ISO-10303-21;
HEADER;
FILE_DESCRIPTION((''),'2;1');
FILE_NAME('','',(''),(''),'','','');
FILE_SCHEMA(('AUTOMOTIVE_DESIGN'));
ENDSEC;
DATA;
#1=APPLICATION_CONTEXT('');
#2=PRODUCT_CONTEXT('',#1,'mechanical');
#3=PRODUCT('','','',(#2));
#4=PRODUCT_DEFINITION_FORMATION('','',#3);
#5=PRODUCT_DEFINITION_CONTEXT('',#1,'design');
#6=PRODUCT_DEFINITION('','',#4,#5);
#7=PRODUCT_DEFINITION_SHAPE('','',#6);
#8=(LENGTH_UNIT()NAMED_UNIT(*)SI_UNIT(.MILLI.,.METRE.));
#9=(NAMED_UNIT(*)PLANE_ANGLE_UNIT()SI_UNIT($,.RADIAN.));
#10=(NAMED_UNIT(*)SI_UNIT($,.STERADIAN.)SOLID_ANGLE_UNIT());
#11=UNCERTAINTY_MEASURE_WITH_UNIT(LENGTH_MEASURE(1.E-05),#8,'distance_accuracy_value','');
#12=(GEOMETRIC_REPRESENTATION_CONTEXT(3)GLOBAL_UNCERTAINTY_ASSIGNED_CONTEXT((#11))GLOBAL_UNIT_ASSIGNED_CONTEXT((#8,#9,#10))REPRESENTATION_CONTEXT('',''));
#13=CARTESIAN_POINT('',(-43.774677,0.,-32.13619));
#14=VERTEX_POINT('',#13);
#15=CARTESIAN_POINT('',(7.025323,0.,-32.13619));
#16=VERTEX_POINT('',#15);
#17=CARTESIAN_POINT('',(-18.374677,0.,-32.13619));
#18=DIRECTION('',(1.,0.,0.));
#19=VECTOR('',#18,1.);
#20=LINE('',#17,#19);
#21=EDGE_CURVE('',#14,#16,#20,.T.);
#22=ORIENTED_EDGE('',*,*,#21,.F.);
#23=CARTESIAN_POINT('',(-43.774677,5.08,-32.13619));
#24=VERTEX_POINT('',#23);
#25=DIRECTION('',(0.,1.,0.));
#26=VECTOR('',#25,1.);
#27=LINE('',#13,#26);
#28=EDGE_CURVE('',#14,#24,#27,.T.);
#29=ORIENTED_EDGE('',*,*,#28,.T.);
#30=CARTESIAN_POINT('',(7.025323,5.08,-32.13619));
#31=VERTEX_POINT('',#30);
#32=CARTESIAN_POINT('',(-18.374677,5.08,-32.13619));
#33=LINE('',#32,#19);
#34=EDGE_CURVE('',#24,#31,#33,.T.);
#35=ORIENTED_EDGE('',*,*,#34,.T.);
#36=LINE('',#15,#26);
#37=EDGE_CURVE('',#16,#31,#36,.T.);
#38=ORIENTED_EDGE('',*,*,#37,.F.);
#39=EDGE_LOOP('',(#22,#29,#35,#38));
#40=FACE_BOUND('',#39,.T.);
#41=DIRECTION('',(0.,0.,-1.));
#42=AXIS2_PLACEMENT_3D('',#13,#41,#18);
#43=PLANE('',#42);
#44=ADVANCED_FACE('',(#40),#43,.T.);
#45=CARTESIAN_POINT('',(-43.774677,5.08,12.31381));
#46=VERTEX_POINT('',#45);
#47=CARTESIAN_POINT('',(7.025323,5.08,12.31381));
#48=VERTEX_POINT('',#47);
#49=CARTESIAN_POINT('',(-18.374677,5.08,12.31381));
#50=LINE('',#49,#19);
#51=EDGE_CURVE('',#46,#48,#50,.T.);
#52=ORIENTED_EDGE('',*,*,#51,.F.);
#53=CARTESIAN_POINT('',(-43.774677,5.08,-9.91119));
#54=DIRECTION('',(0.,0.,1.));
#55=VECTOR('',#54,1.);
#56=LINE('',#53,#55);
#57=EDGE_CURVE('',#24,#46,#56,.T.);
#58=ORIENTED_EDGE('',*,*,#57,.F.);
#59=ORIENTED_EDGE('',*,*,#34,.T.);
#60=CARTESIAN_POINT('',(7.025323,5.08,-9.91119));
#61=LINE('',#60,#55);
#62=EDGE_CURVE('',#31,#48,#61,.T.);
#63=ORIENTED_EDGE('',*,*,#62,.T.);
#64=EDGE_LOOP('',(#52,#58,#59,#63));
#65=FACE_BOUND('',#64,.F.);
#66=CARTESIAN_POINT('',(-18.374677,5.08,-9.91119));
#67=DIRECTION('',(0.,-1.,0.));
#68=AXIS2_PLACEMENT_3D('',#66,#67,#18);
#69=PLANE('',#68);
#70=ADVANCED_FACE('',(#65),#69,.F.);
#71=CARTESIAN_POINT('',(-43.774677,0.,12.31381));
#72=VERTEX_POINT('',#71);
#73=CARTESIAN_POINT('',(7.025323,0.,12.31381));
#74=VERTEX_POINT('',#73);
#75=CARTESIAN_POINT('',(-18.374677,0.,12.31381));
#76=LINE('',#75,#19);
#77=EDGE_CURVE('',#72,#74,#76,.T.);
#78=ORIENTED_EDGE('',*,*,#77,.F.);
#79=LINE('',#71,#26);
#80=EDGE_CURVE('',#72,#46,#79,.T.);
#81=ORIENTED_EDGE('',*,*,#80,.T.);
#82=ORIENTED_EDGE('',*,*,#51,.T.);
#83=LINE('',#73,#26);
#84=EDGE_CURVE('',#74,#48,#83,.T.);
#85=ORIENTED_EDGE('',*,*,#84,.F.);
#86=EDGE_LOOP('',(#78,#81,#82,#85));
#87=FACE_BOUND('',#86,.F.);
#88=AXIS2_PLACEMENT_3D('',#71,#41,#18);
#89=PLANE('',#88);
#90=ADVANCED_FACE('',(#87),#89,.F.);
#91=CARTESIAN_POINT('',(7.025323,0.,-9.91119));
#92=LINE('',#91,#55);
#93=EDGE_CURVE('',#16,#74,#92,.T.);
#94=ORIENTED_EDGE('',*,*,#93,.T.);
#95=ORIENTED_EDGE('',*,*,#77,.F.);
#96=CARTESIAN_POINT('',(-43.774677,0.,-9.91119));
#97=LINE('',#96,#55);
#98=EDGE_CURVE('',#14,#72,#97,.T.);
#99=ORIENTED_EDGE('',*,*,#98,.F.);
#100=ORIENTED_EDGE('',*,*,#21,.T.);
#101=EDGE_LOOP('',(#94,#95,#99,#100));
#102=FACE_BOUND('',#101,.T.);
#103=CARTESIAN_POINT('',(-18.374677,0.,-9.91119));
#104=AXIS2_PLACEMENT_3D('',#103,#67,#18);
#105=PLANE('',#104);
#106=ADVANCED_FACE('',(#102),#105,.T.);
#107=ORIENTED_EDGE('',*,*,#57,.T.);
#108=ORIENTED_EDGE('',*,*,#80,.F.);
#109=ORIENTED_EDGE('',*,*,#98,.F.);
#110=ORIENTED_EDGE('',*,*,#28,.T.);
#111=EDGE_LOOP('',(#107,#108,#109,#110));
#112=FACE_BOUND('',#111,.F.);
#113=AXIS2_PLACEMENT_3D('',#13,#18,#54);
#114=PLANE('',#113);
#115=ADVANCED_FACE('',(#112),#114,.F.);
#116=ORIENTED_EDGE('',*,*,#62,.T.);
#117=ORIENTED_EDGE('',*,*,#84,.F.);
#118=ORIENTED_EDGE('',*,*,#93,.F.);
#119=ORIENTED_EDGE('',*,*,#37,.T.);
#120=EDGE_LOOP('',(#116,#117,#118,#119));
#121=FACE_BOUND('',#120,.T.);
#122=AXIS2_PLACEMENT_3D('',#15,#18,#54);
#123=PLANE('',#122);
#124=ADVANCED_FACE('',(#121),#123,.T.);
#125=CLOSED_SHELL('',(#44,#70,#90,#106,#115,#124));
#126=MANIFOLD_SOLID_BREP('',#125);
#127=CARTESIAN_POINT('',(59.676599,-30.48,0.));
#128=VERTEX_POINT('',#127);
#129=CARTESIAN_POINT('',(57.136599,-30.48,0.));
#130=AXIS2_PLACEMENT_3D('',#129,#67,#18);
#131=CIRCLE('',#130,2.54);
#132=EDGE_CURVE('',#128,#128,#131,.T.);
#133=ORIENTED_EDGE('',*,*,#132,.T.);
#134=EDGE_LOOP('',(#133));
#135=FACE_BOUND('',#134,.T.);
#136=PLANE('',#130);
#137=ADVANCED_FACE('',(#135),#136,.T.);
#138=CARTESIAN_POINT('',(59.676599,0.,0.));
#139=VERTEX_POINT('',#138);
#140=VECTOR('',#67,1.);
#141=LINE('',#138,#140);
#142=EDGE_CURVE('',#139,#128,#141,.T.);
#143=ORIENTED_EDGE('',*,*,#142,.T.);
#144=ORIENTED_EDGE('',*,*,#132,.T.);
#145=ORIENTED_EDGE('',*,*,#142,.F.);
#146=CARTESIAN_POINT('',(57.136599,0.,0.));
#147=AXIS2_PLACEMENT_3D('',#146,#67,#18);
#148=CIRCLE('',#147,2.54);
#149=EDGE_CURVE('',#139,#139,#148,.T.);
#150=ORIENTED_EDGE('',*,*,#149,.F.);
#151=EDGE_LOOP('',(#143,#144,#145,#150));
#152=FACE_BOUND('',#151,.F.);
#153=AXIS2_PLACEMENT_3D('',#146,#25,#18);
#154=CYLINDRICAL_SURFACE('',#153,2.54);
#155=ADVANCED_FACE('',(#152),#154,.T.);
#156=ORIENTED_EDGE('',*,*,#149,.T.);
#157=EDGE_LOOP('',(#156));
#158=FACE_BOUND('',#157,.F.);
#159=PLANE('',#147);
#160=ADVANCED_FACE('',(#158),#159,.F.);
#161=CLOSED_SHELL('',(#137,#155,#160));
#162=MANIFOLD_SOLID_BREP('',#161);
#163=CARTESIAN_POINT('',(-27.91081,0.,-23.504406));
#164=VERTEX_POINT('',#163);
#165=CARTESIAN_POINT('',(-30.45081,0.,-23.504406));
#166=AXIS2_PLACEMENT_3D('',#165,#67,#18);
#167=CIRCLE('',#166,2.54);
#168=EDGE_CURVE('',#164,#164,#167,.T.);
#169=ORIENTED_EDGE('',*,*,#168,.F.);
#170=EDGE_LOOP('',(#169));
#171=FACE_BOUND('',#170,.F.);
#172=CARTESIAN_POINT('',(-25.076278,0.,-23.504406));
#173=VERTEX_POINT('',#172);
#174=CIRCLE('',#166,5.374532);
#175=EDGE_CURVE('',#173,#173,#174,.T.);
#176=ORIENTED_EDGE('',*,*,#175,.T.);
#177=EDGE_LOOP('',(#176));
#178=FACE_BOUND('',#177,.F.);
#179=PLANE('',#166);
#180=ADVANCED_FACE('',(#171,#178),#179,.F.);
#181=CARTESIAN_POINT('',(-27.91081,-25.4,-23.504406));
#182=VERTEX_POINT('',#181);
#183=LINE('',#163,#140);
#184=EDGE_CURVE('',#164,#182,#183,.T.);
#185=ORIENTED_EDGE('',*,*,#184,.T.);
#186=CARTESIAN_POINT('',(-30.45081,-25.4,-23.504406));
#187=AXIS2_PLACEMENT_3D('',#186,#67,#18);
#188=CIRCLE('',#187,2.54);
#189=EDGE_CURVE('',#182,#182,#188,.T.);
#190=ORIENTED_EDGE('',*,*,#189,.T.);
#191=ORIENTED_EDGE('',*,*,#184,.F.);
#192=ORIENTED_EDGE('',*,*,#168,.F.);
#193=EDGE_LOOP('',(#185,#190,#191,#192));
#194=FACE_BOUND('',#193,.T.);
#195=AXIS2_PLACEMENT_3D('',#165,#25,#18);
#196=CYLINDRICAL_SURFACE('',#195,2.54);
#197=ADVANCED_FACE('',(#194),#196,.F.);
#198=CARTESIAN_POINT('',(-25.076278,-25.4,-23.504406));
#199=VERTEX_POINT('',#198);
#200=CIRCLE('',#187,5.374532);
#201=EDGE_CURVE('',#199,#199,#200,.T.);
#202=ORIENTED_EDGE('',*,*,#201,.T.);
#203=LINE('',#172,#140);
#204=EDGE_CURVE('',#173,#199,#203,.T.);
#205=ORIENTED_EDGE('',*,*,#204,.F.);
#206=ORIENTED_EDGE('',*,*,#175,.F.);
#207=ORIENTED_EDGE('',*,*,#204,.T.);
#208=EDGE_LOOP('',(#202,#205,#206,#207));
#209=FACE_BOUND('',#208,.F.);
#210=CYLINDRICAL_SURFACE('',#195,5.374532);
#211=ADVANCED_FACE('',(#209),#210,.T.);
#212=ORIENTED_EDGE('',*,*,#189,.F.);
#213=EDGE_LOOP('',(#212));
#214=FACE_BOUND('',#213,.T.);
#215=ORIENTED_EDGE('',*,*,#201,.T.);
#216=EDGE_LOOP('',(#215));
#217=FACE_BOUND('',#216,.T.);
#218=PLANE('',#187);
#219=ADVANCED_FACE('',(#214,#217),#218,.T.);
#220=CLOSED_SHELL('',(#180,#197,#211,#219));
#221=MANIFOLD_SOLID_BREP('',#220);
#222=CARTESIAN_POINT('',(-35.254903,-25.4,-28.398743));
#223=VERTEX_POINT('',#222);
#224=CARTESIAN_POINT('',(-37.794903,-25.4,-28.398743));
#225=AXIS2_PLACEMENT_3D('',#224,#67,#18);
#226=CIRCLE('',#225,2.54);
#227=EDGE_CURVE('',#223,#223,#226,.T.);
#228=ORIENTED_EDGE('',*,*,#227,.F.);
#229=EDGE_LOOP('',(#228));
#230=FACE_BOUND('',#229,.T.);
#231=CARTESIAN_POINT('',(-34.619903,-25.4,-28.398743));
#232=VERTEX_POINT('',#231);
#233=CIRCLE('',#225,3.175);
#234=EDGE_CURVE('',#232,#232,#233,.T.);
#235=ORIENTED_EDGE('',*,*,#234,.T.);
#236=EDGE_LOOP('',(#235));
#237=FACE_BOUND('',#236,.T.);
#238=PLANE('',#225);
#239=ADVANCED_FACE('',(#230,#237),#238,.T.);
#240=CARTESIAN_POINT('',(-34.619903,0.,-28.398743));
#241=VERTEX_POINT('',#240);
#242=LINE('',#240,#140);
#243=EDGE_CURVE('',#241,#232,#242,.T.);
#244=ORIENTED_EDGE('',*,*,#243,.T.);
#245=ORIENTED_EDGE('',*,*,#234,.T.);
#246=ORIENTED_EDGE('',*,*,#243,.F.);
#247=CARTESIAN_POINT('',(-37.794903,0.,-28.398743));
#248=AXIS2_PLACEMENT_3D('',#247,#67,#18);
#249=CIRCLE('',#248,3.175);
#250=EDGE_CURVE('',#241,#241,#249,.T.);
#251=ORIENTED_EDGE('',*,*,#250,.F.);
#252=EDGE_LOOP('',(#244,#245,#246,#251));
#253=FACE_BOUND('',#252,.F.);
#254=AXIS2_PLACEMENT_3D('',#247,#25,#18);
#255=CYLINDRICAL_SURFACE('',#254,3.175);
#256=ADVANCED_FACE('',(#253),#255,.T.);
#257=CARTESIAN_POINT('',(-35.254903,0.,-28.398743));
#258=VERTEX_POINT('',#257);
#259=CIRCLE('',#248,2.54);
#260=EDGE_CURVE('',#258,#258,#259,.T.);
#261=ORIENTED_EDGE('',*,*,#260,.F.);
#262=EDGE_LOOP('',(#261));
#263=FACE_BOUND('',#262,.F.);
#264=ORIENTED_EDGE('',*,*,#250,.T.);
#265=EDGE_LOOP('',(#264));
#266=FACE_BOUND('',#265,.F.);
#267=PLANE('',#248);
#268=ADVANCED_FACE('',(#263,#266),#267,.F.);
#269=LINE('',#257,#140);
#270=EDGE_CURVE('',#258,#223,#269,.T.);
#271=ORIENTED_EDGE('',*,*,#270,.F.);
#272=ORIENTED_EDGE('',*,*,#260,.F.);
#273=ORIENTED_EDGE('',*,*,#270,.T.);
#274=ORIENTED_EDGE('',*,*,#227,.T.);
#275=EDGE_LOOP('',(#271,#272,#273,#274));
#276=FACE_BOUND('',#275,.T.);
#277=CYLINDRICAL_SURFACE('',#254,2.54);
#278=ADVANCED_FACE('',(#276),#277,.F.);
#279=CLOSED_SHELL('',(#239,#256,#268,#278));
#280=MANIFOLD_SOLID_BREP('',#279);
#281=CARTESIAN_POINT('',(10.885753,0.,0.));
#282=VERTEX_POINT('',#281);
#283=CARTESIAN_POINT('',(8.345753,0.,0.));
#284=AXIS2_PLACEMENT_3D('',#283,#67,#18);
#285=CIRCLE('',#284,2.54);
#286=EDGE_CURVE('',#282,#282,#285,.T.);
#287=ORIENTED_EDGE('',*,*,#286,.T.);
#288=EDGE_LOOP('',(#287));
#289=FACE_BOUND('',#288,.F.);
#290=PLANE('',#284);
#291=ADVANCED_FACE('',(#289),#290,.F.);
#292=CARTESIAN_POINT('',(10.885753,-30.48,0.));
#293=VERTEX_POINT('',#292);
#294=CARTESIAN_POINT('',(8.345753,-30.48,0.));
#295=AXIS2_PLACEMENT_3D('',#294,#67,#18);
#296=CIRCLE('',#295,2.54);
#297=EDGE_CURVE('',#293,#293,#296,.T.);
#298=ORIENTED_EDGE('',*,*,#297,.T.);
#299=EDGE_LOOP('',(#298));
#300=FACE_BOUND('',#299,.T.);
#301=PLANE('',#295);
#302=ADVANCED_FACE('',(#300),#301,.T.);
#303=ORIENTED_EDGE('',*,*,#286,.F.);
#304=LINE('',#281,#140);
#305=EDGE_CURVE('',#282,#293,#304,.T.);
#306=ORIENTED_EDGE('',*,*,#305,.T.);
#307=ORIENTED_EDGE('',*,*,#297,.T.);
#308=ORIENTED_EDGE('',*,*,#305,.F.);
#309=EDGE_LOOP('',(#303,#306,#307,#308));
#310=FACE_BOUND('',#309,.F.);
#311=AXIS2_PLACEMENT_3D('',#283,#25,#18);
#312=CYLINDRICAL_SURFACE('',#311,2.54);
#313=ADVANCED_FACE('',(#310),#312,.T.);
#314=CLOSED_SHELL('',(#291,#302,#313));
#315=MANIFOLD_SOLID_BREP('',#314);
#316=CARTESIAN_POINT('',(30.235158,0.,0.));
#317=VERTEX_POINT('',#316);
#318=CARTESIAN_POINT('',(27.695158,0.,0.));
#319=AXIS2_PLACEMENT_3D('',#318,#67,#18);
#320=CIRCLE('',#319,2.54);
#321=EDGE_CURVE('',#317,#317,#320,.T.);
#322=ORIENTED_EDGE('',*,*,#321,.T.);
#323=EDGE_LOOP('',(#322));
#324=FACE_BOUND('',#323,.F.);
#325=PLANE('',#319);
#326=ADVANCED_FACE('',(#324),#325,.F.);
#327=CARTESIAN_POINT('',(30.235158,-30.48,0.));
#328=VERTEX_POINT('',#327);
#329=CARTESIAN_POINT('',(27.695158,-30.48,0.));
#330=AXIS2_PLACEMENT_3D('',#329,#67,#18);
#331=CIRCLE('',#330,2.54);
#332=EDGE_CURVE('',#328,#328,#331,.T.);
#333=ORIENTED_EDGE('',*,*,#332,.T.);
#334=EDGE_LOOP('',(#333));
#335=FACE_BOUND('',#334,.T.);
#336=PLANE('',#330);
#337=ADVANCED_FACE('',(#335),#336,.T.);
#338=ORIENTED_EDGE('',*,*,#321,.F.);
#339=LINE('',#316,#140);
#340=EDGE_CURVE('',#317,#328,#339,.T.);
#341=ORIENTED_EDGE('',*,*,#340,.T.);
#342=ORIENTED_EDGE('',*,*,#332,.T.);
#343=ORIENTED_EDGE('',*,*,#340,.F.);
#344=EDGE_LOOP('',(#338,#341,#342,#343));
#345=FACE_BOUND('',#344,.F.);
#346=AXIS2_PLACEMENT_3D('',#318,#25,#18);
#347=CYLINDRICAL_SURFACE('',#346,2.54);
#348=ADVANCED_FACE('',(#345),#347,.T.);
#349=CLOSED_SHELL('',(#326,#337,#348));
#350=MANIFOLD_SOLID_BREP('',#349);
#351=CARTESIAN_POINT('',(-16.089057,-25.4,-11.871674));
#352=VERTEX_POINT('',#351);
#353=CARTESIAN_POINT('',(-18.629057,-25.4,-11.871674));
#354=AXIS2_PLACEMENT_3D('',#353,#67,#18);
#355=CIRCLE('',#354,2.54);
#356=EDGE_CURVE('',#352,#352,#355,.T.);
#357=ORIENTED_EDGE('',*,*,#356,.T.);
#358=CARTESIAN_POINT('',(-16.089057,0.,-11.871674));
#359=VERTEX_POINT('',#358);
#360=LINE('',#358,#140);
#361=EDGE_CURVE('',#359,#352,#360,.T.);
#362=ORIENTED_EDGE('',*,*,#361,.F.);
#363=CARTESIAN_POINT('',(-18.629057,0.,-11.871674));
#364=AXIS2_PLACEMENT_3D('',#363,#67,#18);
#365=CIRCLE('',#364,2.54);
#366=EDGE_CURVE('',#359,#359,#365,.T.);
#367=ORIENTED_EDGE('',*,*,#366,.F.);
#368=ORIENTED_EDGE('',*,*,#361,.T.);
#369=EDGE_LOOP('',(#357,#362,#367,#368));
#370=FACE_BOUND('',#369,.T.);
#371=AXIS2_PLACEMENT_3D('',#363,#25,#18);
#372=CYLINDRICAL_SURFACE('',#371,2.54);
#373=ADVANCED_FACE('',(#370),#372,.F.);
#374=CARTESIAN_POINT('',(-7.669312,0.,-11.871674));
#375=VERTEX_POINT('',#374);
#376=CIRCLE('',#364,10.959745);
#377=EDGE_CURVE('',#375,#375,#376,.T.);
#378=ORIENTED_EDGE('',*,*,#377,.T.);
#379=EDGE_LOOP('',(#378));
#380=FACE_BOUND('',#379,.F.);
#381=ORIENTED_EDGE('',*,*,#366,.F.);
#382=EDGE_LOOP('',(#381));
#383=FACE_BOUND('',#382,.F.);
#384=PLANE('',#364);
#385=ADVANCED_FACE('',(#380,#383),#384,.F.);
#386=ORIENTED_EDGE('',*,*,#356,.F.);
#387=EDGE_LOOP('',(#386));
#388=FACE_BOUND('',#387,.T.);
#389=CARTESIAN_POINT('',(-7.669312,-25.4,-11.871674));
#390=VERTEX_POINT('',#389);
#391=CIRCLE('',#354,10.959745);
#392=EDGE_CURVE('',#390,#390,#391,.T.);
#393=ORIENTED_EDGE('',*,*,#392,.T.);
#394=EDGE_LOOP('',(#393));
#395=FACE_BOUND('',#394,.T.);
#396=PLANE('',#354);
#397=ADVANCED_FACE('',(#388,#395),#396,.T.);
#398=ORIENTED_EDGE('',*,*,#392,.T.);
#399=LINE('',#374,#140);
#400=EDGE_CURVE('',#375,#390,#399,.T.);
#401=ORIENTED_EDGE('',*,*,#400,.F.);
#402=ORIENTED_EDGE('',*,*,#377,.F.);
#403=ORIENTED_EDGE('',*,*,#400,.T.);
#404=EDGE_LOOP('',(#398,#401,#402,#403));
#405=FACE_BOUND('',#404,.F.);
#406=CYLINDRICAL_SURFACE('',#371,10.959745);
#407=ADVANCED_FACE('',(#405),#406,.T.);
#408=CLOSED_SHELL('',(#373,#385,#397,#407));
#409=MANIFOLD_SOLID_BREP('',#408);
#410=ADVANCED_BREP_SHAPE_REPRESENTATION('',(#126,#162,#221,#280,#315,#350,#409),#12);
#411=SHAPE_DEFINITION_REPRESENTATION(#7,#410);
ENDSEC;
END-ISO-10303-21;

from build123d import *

# Parameters (mm, degrees)
F1_R     = 10.959745
F1_R_2   = 2.54
F2_DEPTH = 25.4
F1_R_3   = 5.374532
F3_DEPTH = 25.4
F1_R_4   = 3.175
F4_DEPTH = 25.4
F0_W     = 50.8
F0_H     = 44.45
F5_DEPTH = 5.08
F6_R     = 2.54
F7_DEPTH = 30.48
F8_DEPTH = 30.48
F9_DEPTH = 30.48


with BuildPart() as f2:
    # F1 (on Front) → F2 (new body)
    with BuildSketch(Plane.XZ):
        with Locations((-18.629057, -11.871674)):
            Circle(F1_R)
        with Locations((-18.629057, -11.871674)):
            Circle(F1_R_2, mode=Mode.SUBTRACT)
    extrude(amount=F2_DEPTH)


with BuildPart() as f3:
    # F1 (on Front) → F3 (new body)
    with BuildSketch(Plane.XZ):
        with Locations((-30.45081, -23.504406)):
            Circle(F1_R_3)
        with Locations((-30.45081, -23.504406)):
            Circle(F1_R_2, mode=Mode.SUBTRACT)
    extrude(amount=F3_DEPTH)


with BuildPart() as f4:
    # F1 (on Front) → F4 (new body)
    with BuildSketch(Plane.XZ):
        with Locations((-37.794903, -28.398743)):
            Circle(F1_R_4)
        with Locations((-37.794903, -28.398743)):
            Circle(F1_R_2, mode=Mode.SUBTRACT)
    extrude(amount=F4_DEPTH)


with BuildPart() as f5:
    # F0 (on Front) → F5 (new body)
    with BuildSketch(Plane.XZ):
        with Locations((-18.374677, -9.91119)):
            Rectangle(F0_W, F0_H)
    extrude(amount=-F5_DEPTH)


with BuildPart() as f7:
    # F6 (on Front) → F7 (new body)
    with BuildSketch(Plane.XZ):
        with Locations((8.345753, 0)):
            Circle(F6_R)
    extrude(amount=F7_DEPTH)


with BuildPart() as f8:
    # F6 (on Front) → F8 (new body)
    with BuildSketch(Plane.XZ):
        with Locations((27.695158, 0)):
            Circle(F6_R)
    extrude(amount=F8_DEPTH)


with BuildPart() as f9:
    # F6 (on Front) → F9 (new body)
    with BuildSketch(Plane.XZ):
        with Locations((57.136599, 0)):
            Circle(F6_R)
    extrude(amount=F9_DEPTH)


solid = Compound([f2.part, f3.part, f4.part, f5.part, f7.part, f8.part, f9.part])
